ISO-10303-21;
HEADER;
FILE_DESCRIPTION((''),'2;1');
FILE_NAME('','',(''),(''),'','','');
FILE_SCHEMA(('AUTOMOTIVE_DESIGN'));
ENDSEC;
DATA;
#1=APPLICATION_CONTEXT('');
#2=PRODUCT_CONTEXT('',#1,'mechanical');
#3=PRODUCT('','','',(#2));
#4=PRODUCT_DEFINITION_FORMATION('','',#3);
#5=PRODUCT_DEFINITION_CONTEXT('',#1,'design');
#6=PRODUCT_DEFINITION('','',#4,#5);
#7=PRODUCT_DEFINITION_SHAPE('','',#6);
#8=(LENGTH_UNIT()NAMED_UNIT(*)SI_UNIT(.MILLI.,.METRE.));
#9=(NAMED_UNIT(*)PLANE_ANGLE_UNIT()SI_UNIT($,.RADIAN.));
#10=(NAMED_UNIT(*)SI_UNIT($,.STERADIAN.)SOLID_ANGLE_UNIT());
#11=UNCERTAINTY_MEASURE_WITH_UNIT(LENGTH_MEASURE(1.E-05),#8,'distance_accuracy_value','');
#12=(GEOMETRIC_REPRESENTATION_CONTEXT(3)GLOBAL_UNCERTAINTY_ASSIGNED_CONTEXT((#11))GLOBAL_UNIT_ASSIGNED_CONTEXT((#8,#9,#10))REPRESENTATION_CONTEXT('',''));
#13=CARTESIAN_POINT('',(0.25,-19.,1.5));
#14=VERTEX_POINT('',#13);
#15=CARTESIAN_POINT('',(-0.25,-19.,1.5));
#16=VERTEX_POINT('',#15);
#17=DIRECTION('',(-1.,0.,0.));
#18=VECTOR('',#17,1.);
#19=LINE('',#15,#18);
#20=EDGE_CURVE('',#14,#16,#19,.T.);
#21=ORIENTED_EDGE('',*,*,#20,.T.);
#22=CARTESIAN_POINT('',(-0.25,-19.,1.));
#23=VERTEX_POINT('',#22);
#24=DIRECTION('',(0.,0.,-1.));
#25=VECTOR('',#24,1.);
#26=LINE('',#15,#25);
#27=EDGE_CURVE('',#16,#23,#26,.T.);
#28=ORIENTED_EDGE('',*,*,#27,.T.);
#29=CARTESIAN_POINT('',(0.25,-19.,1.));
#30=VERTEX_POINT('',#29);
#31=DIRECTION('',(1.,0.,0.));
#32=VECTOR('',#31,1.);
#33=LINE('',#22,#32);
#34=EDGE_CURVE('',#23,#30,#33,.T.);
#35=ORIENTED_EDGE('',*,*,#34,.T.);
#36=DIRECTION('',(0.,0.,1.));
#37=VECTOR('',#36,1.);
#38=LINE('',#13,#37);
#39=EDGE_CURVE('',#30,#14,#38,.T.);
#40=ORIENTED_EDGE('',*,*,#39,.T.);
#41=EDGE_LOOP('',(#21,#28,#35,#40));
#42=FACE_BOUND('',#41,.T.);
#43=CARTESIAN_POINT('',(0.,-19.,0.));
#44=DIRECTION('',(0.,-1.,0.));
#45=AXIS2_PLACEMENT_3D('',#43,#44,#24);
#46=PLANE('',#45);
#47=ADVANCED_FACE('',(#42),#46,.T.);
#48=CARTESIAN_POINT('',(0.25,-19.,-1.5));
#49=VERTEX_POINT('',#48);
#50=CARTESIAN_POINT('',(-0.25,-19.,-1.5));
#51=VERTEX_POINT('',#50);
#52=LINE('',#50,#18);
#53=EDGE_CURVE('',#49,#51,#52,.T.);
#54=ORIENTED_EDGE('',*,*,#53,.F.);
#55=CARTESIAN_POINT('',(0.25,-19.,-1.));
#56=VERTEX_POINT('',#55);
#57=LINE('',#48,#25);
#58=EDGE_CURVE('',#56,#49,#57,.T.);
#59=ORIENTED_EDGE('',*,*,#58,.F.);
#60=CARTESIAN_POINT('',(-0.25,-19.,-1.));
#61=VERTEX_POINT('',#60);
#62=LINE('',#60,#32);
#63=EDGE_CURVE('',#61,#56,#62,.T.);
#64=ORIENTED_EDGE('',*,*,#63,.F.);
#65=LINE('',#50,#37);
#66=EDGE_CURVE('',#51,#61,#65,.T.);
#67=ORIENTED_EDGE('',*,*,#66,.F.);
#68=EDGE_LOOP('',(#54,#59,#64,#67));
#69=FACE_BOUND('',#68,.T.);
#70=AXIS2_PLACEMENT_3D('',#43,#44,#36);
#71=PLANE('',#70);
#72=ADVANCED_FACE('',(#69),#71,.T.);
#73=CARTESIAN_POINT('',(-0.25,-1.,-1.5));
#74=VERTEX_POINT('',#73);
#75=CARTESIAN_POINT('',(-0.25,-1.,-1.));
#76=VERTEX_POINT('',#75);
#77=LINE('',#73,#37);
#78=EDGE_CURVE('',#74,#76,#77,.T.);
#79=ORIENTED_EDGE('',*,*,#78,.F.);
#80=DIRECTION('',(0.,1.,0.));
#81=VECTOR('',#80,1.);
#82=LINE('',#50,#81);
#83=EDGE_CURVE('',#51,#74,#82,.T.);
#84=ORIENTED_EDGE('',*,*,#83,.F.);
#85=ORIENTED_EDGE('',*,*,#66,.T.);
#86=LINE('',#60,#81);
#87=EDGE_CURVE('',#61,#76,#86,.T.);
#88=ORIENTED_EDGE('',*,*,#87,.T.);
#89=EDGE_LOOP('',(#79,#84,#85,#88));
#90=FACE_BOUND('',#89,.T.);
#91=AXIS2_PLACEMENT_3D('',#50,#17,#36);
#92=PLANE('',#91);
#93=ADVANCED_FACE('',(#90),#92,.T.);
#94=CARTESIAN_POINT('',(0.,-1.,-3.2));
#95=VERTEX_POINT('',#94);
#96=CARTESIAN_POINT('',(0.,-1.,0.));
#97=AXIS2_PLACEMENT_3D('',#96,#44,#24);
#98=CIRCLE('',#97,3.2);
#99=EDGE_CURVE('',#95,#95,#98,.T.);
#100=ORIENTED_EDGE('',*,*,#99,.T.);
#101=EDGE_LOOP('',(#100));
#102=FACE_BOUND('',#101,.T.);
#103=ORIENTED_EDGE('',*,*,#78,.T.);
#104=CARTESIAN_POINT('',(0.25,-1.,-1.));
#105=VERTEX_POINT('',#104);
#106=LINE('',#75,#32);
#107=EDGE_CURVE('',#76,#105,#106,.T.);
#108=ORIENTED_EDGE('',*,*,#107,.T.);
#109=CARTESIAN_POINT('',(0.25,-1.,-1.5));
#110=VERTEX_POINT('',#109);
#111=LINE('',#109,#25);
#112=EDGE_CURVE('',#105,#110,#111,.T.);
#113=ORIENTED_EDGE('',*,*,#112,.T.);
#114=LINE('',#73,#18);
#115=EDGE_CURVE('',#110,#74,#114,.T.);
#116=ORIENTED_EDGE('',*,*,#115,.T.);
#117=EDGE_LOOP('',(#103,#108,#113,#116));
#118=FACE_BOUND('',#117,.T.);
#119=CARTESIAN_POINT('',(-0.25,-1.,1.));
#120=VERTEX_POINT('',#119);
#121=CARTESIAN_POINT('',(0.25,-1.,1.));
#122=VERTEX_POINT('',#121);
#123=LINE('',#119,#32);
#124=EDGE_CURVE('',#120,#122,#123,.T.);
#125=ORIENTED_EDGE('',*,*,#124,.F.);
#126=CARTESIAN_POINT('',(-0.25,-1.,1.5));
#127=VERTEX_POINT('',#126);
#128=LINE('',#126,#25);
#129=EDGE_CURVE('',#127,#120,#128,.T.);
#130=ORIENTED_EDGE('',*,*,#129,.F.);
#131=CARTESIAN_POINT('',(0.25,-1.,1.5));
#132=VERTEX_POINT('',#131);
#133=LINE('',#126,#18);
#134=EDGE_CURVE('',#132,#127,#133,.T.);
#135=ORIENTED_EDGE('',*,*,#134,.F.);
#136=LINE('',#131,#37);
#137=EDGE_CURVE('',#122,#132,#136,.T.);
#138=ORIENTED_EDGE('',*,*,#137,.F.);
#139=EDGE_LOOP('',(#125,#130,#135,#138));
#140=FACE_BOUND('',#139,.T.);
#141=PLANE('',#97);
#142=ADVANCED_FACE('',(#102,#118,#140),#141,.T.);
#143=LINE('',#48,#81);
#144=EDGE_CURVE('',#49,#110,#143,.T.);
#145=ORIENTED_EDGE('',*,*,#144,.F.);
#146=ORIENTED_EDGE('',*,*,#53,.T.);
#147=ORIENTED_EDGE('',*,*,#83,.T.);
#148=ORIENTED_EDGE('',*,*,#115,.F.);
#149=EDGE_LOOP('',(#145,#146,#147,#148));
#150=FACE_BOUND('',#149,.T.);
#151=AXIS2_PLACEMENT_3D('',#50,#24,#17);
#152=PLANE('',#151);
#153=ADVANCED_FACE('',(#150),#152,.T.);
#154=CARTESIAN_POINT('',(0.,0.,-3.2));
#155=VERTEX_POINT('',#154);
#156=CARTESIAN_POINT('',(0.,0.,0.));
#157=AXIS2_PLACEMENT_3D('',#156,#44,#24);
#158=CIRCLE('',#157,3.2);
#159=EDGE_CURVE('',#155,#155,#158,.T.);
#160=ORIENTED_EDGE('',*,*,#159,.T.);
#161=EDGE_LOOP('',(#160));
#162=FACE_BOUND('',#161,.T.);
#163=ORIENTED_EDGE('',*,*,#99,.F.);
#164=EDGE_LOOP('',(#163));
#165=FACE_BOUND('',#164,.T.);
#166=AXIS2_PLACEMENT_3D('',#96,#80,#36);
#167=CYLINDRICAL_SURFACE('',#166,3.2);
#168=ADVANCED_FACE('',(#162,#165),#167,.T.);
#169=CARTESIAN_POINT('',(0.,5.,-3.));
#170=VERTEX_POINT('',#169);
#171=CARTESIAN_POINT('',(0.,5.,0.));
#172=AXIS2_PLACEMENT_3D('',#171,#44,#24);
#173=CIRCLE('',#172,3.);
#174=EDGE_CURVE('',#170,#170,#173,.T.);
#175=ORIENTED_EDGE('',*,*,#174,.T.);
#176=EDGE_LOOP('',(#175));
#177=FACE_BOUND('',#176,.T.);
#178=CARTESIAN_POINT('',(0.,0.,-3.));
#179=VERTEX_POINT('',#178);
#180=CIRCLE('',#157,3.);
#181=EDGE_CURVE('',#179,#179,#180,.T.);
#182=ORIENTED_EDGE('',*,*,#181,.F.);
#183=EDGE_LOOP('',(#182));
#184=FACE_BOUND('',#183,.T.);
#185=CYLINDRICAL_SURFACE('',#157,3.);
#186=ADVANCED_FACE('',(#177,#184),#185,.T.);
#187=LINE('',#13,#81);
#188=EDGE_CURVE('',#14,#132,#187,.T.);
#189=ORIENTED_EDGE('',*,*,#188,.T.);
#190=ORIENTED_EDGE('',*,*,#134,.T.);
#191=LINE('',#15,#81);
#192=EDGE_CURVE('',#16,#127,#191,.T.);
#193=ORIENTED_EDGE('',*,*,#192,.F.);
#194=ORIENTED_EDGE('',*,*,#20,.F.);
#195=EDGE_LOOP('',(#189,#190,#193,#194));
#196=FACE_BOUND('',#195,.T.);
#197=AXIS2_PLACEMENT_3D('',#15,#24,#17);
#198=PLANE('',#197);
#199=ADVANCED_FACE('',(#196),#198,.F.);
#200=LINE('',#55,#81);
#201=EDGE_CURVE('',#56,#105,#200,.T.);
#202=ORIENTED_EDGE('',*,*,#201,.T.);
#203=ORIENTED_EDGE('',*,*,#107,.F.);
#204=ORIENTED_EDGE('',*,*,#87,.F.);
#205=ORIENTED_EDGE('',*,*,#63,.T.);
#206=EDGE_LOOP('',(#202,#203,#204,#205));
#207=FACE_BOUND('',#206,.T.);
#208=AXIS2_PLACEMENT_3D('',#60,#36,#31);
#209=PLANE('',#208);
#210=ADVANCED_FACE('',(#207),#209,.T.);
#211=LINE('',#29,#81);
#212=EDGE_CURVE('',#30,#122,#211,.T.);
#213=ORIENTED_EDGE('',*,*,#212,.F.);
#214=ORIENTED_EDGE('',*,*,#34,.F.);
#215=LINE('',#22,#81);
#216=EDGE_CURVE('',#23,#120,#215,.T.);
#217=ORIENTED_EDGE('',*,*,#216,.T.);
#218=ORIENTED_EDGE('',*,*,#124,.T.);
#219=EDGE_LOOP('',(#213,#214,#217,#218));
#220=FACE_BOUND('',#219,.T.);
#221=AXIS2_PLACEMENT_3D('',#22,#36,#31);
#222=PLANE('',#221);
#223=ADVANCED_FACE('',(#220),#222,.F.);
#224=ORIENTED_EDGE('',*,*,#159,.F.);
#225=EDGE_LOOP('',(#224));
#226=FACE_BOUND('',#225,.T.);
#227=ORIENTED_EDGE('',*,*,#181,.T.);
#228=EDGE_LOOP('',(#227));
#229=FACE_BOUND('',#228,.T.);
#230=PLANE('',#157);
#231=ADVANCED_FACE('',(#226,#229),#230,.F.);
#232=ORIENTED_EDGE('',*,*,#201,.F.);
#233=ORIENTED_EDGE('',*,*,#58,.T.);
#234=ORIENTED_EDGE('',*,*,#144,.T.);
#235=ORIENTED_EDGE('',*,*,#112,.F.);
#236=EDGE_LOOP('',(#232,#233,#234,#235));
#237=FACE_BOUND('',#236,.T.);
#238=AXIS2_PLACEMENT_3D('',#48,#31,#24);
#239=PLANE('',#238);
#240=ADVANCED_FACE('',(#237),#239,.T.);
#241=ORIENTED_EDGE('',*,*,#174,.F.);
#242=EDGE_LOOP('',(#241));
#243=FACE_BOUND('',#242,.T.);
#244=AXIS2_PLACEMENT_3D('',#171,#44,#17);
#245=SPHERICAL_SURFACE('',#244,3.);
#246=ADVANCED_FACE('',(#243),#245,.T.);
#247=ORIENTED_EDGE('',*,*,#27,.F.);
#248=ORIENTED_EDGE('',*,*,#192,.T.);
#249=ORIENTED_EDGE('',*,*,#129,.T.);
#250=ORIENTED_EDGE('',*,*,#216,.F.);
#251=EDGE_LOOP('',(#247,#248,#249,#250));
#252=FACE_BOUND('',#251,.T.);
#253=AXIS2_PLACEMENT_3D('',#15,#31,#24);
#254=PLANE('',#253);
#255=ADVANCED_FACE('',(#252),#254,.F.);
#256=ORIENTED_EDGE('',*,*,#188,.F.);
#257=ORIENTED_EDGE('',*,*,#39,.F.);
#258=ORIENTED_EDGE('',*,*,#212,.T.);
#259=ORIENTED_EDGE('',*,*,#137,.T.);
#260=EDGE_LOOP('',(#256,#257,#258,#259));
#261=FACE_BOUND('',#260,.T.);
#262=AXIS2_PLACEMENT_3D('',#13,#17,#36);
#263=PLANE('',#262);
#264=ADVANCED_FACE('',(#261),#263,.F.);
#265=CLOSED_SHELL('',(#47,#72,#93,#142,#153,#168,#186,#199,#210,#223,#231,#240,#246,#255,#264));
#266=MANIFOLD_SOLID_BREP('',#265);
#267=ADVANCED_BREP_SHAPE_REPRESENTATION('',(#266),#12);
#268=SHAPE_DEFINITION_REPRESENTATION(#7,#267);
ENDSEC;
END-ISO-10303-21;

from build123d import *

# Parameters (mm, degrees)
SKETCH2_R           = 3.2
BOSS_EXTRUDE1_DEPTH = 1
SKETCH3_W           = 0.5
SKETCH3_H           = 0.5
BOSS_EXTRUDE2_DEPTH = 18


with BuildPart() as part:
    # Sketch1 → Revolve1 (revolve)
    with BuildSketch(Plane.XY, mode=Mode.PRIVATE) as revolve1_sk:
        with BuildLine():
            Line((0, 5), (0, 8))
            ThreePointArc((0, 8), (-2.121320344, 7.121320344), (-3, 5))
            Line((-3, 5), (-3, 0))
            Line((-3, 0), (0, 0))
            Line((0, 0), (0, 5))
        make_face()
    revolve(revolve1_sk.sketch.rotate(Axis((0, 0, 0), (0, 1, 0)), 270), axis=Axis((0, 0, 0), (0, 1, 0)))

    # Sketch2 → Boss-Extrude1 (add)
    with BuildSketch(Plane(origin=(0, 0, 0), x_dir=(-1, 0, 0), z_dir=(0, -1, 0))):
        with Locations(Location((0, 0, 0), (0, 0, 90))):
            Circle(SKETCH2_R)
    extrude(amount=BOSS_EXTRUDE1_DEPTH)

    # Sketch3 → Boss-Extrude2 (add)
    with BuildSketch(Plane(origin=(0, -1, 0), x_dir=(-1, 0, 0), z_dir=(0, -1, 0))):
        with Locations((0, -1.25)):
            Rectangle(SKETCH3_W, SKETCH3_H)
    boss_extrude2 = extrude(amount=BOSS_EXTRUDE2_DEPTH)

    # Mirror1: Boss-Extrude2 across plane
    add(boss_extrude2.mirror(Plane.XY))


solid = part.part
